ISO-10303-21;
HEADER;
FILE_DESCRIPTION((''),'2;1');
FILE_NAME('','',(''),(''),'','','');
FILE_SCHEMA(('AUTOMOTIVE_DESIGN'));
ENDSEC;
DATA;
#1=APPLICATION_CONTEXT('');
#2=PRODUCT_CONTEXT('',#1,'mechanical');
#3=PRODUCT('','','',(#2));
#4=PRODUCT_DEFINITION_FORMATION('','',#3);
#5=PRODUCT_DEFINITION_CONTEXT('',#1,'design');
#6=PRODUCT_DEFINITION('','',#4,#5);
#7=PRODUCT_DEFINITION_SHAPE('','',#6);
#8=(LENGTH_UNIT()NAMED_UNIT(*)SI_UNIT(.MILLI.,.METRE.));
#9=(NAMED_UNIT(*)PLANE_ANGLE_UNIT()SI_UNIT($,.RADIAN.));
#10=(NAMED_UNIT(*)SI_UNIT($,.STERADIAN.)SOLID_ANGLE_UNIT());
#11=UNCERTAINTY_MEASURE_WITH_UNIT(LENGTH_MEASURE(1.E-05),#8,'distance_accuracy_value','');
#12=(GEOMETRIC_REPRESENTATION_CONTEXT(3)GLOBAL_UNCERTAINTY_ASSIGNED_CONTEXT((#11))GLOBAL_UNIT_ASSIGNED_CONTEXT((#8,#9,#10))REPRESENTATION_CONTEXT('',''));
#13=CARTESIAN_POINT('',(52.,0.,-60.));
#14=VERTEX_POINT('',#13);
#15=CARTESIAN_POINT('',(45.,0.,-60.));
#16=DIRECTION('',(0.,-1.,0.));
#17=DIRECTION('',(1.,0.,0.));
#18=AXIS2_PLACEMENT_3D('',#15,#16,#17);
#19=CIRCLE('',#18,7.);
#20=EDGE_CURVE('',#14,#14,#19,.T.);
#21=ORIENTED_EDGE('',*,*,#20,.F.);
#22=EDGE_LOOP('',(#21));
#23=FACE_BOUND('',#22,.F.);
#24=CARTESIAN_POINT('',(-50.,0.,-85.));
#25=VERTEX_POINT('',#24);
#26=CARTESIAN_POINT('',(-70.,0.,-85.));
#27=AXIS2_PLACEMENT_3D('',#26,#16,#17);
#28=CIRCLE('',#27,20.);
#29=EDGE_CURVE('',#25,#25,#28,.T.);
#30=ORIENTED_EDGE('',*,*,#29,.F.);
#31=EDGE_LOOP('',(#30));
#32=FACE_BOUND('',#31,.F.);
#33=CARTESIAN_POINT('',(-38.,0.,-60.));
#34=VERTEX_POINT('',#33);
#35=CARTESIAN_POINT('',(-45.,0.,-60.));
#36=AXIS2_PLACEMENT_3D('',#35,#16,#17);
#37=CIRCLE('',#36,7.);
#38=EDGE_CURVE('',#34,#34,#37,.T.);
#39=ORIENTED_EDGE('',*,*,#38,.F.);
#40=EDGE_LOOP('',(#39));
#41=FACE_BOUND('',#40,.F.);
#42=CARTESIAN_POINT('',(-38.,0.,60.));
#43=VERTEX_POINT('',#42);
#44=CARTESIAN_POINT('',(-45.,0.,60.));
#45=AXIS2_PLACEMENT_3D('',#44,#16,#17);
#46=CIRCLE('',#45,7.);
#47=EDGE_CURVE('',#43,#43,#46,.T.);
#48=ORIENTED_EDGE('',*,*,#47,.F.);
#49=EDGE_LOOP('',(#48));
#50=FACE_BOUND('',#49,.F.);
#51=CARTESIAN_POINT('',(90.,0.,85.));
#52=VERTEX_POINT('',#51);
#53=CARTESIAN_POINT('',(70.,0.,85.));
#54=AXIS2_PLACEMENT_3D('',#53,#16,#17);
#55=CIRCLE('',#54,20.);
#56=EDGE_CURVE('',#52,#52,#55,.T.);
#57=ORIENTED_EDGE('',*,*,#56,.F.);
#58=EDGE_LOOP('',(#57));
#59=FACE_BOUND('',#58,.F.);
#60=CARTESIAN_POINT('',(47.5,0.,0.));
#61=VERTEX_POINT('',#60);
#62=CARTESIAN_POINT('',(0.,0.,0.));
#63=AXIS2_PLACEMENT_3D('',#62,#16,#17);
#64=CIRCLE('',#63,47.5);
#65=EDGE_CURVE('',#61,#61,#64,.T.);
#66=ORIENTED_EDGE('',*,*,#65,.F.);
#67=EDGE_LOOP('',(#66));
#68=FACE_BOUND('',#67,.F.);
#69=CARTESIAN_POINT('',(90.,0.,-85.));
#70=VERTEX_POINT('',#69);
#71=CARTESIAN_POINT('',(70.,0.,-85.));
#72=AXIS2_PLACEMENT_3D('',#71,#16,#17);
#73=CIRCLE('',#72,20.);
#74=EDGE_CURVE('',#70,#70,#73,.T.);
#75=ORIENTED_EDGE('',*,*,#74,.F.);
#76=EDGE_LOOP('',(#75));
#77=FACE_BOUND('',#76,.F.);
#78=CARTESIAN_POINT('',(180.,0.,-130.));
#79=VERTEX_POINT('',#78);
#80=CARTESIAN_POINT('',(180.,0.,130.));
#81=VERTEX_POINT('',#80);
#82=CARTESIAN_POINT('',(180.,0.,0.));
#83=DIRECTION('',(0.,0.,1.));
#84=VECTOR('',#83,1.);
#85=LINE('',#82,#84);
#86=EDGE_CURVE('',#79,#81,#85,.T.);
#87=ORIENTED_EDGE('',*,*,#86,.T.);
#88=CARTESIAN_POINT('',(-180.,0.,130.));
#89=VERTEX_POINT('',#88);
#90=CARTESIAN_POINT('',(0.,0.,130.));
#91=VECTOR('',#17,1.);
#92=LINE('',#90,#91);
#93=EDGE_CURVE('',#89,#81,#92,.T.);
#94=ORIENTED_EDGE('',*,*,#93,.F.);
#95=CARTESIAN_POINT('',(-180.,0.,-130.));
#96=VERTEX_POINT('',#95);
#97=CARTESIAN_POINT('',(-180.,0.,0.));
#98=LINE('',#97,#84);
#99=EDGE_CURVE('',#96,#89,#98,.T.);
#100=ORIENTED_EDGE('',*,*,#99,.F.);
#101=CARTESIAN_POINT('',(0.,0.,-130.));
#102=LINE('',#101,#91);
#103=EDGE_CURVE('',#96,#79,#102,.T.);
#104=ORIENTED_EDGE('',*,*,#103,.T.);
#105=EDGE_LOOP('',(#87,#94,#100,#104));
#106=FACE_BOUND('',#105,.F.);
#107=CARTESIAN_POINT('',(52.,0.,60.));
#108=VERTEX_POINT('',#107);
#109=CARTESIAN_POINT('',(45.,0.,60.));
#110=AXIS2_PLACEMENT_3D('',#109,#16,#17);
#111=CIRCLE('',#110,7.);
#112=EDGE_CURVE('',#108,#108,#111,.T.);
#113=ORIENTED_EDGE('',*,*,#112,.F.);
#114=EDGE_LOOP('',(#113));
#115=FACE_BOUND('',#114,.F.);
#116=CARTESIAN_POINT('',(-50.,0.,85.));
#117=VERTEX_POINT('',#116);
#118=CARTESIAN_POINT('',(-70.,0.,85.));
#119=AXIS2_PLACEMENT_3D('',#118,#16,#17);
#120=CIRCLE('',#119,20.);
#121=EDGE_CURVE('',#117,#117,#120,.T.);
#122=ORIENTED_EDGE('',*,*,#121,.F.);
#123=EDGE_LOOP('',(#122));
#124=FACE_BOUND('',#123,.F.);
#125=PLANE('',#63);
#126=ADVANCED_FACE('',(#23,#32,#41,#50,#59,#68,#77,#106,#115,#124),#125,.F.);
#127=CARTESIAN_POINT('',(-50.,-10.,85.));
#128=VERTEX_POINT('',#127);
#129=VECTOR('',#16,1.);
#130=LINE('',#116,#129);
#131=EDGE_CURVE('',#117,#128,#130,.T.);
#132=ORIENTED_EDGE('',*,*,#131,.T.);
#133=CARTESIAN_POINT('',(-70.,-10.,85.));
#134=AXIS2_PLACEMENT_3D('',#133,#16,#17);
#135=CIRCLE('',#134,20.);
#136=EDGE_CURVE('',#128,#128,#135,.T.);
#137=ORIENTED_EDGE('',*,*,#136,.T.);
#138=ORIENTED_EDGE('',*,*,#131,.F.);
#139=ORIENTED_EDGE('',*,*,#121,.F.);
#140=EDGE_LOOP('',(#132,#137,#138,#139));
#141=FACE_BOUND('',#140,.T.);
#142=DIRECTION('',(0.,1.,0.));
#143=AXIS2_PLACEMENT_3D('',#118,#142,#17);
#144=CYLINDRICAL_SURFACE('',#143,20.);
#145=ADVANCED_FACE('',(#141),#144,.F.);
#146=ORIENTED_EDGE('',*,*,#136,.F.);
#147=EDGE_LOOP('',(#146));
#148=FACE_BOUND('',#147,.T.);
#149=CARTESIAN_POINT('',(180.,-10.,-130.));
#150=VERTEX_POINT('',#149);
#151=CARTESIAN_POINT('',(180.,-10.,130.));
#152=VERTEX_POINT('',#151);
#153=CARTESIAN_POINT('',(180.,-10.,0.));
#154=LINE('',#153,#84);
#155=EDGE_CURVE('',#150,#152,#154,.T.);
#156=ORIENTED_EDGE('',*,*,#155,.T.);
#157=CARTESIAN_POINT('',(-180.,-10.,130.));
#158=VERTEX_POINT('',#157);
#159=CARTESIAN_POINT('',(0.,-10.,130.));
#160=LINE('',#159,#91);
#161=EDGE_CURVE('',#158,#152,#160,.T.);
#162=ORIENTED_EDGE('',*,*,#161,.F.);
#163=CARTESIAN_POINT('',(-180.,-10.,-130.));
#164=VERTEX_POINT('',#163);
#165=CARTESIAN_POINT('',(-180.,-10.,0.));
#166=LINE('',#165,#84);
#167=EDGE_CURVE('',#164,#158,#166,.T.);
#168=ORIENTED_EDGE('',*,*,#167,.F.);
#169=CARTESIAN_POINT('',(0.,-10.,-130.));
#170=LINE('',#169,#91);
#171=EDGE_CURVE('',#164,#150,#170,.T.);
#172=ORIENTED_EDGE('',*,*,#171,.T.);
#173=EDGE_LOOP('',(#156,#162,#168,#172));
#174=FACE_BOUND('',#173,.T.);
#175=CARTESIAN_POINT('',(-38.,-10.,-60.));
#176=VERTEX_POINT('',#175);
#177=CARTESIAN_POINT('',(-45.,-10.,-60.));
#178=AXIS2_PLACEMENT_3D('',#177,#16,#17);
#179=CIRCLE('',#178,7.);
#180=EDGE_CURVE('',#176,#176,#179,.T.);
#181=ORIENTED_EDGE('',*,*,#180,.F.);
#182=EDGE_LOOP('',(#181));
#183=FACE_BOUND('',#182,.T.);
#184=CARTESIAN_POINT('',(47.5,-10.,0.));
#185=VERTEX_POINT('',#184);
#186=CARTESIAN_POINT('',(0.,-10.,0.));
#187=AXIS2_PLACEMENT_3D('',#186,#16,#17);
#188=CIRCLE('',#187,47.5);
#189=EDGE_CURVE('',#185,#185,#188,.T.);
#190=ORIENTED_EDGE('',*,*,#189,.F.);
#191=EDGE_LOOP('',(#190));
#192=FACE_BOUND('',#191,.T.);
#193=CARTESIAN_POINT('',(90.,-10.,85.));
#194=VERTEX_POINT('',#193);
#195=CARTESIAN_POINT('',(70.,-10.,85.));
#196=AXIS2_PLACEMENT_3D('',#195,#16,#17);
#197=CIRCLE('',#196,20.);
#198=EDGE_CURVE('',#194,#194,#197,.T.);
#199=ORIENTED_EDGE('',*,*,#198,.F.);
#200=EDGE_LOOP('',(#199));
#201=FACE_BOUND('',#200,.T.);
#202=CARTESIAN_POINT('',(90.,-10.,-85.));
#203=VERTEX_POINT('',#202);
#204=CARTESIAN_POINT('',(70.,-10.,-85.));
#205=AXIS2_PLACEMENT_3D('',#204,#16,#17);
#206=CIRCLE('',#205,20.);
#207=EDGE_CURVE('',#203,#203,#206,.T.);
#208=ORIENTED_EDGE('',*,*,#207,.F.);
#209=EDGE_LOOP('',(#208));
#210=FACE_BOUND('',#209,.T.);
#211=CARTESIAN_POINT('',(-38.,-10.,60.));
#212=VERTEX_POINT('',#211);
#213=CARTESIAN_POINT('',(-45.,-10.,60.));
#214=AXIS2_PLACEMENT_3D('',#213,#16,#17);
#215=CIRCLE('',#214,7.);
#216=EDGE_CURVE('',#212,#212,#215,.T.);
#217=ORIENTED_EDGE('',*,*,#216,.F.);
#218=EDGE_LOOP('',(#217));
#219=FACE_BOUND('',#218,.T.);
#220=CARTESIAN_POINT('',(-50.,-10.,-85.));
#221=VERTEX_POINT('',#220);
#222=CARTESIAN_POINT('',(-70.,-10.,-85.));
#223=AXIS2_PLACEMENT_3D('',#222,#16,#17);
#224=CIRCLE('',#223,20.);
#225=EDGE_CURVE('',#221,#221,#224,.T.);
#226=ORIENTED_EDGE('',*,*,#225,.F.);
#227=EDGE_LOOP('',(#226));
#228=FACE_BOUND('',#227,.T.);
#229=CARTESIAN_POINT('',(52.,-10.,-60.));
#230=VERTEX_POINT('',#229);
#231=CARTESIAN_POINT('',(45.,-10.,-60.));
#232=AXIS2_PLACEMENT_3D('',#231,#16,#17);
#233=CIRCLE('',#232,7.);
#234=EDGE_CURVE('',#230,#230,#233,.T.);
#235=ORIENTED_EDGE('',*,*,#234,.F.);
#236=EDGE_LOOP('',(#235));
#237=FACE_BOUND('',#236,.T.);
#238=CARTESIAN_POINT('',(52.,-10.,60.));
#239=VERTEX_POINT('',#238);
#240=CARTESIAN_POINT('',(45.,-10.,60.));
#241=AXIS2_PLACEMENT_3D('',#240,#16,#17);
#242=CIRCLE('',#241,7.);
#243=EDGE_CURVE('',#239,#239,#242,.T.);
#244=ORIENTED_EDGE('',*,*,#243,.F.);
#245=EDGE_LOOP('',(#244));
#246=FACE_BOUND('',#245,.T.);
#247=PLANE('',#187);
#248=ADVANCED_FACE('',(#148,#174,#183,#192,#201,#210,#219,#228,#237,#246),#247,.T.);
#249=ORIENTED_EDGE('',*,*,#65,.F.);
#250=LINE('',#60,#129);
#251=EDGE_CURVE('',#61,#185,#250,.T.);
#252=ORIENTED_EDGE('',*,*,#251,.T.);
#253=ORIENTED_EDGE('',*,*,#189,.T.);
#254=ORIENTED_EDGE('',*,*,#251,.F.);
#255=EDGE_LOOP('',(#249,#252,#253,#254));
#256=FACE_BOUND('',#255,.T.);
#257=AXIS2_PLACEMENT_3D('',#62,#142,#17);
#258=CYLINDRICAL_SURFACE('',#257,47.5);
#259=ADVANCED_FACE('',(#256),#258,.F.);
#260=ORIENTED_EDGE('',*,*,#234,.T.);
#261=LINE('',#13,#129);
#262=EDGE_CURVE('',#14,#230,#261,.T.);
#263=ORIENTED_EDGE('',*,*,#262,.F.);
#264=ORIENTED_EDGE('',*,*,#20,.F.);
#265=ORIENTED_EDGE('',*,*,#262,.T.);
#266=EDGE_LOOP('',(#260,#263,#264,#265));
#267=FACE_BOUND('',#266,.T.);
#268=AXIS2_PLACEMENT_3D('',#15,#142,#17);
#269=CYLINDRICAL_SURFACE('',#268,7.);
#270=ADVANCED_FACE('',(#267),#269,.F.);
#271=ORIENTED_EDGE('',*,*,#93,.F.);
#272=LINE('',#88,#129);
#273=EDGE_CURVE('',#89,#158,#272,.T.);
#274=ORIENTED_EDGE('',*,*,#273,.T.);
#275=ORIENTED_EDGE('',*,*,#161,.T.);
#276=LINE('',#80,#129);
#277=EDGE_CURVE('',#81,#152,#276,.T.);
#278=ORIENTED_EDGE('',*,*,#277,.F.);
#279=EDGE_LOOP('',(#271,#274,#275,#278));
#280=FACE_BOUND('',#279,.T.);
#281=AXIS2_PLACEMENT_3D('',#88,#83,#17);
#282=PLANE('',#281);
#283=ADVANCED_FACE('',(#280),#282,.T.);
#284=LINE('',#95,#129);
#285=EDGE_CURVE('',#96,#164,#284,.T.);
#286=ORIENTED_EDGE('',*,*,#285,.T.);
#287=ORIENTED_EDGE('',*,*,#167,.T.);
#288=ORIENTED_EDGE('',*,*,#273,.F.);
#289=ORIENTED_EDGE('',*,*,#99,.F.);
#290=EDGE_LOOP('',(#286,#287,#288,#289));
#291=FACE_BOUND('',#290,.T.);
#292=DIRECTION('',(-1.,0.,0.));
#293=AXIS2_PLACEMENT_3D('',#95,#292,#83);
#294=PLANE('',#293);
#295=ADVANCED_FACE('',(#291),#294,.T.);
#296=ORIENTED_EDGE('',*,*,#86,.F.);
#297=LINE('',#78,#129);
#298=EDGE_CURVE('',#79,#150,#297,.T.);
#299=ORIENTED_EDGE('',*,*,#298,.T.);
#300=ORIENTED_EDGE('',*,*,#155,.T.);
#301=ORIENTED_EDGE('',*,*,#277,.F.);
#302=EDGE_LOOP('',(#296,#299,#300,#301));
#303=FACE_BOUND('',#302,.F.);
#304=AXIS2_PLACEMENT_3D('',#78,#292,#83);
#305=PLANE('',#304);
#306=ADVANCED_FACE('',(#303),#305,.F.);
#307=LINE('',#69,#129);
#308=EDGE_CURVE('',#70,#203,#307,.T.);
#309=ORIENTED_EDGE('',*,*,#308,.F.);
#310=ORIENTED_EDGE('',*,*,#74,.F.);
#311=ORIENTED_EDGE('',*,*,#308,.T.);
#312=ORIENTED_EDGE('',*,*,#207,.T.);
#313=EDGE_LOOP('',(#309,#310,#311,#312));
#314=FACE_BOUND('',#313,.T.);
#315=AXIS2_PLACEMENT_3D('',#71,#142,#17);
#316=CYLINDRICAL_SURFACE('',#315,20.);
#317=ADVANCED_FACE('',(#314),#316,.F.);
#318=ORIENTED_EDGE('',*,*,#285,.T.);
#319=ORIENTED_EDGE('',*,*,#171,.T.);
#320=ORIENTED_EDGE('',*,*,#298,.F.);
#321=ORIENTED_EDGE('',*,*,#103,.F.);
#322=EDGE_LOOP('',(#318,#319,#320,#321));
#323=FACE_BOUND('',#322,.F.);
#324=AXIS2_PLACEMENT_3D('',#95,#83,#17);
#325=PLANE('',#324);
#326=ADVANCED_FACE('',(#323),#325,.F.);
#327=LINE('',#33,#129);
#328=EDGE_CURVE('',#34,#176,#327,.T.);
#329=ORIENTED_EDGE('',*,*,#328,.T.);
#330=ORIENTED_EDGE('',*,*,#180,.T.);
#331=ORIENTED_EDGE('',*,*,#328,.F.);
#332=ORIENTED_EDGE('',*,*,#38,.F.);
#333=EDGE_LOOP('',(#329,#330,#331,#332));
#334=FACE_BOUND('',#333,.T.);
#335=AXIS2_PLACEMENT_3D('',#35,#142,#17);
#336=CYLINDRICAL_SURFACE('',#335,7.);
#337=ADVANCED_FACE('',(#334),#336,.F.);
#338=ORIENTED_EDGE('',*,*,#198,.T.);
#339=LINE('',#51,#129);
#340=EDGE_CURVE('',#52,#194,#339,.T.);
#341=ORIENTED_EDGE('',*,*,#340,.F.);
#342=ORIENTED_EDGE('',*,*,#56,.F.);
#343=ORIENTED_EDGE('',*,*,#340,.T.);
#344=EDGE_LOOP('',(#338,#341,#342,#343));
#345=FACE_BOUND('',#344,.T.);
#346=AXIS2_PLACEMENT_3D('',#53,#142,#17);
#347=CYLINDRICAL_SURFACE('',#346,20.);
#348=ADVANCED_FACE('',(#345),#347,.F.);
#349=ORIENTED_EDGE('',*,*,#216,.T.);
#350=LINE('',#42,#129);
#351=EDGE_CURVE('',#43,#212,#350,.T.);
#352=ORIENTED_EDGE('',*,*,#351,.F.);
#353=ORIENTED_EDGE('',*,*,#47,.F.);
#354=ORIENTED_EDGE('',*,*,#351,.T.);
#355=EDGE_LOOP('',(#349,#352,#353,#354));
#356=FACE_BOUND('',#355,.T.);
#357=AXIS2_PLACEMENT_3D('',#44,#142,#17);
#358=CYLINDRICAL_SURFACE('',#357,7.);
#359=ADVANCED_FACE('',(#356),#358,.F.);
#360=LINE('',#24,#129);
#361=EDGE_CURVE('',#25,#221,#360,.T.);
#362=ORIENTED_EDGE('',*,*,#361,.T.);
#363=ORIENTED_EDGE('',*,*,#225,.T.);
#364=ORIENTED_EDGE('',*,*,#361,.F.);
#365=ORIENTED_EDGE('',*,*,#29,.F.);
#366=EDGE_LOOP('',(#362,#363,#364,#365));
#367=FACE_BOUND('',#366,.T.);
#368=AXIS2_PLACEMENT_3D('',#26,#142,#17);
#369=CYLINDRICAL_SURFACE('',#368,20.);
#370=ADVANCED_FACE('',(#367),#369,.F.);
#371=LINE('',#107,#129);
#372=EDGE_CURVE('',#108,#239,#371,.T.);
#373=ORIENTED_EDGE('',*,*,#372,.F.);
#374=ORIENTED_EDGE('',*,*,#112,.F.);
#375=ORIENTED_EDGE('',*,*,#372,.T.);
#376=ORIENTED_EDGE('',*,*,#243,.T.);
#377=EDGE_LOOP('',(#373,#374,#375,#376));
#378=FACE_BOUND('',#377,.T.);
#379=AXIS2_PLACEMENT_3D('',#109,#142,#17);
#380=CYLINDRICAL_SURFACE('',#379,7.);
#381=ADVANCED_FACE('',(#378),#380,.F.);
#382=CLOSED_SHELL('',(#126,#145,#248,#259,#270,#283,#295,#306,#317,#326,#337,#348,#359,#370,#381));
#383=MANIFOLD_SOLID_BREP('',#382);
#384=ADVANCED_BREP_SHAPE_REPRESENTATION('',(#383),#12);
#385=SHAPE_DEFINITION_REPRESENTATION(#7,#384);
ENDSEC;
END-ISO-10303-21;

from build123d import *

# Parameters (mm, degrees)
F0_W     = 360
F0_H     = 260
F0_R     = 20
F0_R_2   = 7
F0_R_3   = 47.5
F1_DEPTH = 10


with BuildPart() as f1:
    # F0 (on Front) → F1 (new body)
    with BuildSketch(Plane.XZ):
        Rectangle(F0_W, F0_H)
        with Locations((-70, -85)):
            Circle(F0_R, mode=Mode.SUBTRACT)
        with Locations((-45, -60)):
            Circle(F0_R_2, mode=Mode.SUBTRACT)
        with Locations((70, -85)):
            Circle(F0_R, mode=Mode.SUBTRACT)
        with Locations((45, -60)):
            Circle(F0_R_2, mode=Mode.SUBTRACT)
        with Locations((-45, 60)):
            Circle(F0_R_2, mode=Mode.SUBTRACT)
        with Locations((-70, 85)):
            Circle(F0_R, mode=Mode.SUBTRACT)
        Circle(F0_R_3, mode=Mode.SUBTRACT)
        with Locations((45, 60)):
            Circle(F0_R_2, mode=Mode.SUBTRACT)
        with Locations((70, 85)):
            Circle(F0_R, mode=Mode.SUBTRACT)
    extrude(amount=F1_DEPTH)


solid = f1.part
